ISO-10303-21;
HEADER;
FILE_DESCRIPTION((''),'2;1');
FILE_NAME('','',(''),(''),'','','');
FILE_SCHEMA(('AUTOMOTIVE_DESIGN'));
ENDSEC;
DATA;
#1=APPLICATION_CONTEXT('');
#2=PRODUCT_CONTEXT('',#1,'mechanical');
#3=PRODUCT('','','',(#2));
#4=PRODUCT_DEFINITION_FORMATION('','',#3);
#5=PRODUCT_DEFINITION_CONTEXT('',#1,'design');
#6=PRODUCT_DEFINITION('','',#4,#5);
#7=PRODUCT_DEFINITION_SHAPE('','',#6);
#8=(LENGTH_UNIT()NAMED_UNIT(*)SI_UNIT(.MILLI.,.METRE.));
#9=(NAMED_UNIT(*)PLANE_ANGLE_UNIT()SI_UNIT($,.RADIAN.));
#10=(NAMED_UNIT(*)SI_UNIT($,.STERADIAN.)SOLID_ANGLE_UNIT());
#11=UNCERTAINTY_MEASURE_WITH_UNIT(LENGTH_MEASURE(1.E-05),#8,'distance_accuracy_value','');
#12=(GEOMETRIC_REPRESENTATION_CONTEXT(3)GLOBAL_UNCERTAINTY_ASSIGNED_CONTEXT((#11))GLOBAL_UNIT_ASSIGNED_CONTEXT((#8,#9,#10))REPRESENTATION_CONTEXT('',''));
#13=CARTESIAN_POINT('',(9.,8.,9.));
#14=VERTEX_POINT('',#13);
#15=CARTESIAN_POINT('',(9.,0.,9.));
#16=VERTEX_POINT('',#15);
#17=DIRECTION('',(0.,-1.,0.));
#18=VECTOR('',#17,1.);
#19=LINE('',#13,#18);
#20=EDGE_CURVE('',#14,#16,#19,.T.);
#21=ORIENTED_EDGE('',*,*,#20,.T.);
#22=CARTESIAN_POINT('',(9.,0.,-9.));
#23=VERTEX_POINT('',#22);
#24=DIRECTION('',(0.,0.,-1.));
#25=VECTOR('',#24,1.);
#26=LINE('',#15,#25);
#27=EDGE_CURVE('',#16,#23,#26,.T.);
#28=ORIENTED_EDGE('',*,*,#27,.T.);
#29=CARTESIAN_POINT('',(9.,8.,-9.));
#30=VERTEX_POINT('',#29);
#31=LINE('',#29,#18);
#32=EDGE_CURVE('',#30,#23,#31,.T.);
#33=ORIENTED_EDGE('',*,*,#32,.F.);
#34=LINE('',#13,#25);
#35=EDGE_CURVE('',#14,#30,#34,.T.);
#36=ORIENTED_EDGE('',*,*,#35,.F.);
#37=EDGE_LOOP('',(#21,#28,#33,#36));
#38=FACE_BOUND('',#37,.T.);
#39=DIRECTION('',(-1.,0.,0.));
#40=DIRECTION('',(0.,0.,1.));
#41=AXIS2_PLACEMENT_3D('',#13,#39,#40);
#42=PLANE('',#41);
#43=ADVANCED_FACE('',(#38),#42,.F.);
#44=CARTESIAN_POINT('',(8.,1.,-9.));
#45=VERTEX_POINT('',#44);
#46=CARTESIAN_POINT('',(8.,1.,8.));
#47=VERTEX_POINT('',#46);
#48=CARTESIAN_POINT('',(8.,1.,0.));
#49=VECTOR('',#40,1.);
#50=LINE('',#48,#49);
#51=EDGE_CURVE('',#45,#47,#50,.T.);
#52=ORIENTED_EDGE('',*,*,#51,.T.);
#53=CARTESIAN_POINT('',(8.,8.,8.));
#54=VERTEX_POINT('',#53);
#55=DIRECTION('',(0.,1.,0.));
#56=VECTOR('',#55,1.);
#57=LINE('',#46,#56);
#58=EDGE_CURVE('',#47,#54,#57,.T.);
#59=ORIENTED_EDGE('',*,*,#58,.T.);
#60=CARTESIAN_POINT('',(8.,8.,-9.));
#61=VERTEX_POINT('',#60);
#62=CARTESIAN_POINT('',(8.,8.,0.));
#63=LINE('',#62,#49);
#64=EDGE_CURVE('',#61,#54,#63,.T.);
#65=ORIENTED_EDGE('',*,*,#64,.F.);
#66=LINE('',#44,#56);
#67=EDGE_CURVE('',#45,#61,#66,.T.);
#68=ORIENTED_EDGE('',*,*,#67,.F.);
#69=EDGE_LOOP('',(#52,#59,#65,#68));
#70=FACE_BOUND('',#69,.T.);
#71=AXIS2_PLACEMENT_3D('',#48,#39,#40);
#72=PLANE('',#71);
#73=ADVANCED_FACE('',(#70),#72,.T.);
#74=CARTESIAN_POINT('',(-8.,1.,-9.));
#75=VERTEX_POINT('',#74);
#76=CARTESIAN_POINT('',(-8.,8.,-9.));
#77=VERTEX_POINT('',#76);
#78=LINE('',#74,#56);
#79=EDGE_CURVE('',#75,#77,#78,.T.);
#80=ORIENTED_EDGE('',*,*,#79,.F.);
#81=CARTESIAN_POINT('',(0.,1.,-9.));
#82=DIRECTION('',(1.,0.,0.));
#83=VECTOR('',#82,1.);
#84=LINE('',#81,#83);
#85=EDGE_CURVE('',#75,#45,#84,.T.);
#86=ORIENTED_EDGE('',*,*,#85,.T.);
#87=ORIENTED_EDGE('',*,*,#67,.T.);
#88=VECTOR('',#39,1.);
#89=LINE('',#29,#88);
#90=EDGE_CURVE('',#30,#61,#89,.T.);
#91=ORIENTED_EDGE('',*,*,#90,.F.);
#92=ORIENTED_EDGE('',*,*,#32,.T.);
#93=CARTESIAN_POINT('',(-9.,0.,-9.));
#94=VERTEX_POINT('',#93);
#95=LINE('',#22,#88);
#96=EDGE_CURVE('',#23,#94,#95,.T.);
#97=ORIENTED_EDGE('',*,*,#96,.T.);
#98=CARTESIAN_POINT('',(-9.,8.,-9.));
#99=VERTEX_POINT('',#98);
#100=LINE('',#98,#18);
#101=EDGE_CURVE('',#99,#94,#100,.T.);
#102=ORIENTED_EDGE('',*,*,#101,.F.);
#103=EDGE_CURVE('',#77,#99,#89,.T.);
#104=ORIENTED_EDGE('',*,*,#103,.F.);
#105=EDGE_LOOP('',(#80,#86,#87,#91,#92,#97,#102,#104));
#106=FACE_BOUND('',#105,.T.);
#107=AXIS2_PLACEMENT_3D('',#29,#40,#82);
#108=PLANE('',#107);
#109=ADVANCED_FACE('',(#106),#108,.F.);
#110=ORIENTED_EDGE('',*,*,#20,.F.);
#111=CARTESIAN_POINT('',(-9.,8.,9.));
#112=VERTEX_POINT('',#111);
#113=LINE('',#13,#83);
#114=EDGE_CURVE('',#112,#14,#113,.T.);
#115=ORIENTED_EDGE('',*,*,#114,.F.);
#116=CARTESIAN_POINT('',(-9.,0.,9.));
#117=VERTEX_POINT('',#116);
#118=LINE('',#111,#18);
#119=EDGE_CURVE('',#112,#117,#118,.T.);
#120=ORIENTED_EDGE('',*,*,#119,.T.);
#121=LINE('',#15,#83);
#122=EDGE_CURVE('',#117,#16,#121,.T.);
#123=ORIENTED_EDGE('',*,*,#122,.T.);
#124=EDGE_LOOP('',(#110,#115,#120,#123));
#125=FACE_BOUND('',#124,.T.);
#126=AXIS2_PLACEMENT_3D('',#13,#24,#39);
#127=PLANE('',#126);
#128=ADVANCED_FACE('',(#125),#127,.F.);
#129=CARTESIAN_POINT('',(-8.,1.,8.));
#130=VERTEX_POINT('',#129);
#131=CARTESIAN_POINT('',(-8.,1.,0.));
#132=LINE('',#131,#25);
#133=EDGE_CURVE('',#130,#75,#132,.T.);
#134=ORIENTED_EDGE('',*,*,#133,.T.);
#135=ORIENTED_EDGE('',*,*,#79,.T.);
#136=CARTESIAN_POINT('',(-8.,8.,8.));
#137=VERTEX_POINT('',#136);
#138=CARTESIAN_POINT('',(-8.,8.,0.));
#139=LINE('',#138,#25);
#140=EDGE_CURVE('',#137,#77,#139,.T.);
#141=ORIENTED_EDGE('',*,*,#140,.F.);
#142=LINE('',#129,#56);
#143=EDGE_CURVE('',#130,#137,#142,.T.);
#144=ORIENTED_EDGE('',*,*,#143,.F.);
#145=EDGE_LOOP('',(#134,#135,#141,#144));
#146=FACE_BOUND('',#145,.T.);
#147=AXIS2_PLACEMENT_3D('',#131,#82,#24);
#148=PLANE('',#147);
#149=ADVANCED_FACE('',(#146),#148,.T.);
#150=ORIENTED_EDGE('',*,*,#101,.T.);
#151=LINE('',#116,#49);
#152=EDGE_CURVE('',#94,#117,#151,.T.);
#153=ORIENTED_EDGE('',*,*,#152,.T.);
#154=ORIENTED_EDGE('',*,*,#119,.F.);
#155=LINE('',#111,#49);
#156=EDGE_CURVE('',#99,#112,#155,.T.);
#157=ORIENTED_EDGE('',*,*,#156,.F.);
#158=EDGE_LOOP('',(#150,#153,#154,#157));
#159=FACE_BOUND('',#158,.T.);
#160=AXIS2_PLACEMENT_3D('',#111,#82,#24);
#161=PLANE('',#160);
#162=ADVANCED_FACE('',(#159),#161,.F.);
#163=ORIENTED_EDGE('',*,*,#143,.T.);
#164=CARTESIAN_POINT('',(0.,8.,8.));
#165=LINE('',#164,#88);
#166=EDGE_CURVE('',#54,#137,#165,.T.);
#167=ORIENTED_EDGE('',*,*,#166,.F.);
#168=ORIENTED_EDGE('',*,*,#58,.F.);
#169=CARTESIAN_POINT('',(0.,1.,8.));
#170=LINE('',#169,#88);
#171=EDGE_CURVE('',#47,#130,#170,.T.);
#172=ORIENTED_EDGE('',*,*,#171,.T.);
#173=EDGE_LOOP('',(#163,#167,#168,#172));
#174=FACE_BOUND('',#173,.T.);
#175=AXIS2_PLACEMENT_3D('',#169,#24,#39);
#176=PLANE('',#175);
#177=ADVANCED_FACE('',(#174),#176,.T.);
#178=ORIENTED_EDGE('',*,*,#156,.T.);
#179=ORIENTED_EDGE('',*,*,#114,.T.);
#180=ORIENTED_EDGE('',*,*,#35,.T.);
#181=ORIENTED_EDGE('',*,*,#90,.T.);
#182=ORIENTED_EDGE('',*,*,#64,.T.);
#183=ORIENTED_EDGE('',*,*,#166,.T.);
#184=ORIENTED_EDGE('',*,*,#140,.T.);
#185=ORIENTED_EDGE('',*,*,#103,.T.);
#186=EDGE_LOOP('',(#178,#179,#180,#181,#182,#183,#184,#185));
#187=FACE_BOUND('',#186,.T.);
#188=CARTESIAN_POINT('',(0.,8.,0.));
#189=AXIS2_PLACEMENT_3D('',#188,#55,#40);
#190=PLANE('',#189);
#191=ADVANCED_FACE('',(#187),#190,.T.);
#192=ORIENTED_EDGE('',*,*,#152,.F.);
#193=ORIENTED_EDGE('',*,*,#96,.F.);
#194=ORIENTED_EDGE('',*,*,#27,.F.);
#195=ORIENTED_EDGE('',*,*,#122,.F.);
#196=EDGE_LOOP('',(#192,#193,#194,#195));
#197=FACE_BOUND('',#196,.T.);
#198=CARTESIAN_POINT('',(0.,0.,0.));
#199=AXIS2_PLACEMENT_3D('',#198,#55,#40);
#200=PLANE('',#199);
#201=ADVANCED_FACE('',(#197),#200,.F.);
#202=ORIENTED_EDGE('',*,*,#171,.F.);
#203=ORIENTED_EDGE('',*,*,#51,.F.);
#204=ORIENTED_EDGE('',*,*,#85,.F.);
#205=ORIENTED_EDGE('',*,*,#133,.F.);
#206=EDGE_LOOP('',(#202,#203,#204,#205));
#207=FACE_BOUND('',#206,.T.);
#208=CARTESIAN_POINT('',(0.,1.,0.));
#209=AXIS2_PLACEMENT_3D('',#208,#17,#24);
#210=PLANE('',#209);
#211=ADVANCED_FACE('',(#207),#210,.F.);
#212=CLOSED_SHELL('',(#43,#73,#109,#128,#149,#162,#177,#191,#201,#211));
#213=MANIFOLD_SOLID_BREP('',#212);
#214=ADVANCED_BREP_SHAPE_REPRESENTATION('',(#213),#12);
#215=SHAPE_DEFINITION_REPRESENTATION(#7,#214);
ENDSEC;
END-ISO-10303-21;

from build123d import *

# Parameters (mm, degrees)
SKETCH_1_W          = 18
SKETCH_1_H          = 18
EXTRUDE_1_DEPTH     = 8
CUT_EXTRUDE_START   = 8
SKETCH_5_W          = 16
SKETCH_5_H          = 17
CUT_EXTRUDE_6_DEPTH = 7
EXTRUDE_START       = 8
SKETCH_6_W          = 18
SKETCH_6_H          = 18
EXTRUDE_2_DEPTH     = 1
CUT_EXTRUDE_START_2 = 9
SKETCH_7_R          = 6.5
CUT_EXTRUDE_7_DEPTH = 1
SKETCH_10_W         = 18
SKETCH_10_H         = 18
CUT_EXTRUDE_8_DEPTH = 1


with BuildPart() as part:
    # 스케치1 → 보스-돌출1 (new body)
    with BuildSketch(Plane(origin=(0, 0, 0), x_dir=(1, 0, 0), z_dir=(0, 1, 0))):
        Rectangle(SKETCH_1_W, SKETCH_1_H)
    extrude(amount=EXTRUDE_1_DEPTH)

    # 스케치5 → 컷-돌출6 (cut)
    with BuildSketch(Plane(origin=(0, 0, 0), x_dir=(1, 0, 0), z_dir=(0, 1, 0)).offset(CUT_EXTRUDE_START)):
        with Locations((0, 0.5)):
            Rectangle(SKETCH_5_W, SKETCH_5_H)
    extrude(amount=-CUT_EXTRUDE_6_DEPTH, mode=Mode.SUBTRACT)


with BuildPart() as body_2:
    # 스케치6 → 보스-돌출2 (new body)
    with BuildSketch(Plane(origin=(0, 0, 0), x_dir=(1, 0, 0), z_dir=(0, 1, 0)).offset(EXTRUDE_START)):
        Rectangle(SKETCH_6_W, SKETCH_6_H)
    extrude(amount=EXTRUDE_2_DEPTH)

    # 스케치7 → 컷-돌출7 (cut)
    with BuildSketch(Plane(origin=(0, 0, 0), x_dir=(1, 0, 0), z_dir=(0, 1, 0)).offset(CUT_EXTRUDE_START_2)):
        with Locations(Location((0, -0.5, 0), (0, 0, 270))):
            Circle(SKETCH_7_R)
    extrude(amount=-CUT_EXTRUDE_7_DEPTH, mode=Mode.SUBTRACT)

    # 스케치10 → 컷-돌출8 (cut)
    with BuildSketch(Plane(origin=(0, 9, 0), x_dir=(1, 0, 0), z_dir=(0, 1, 0))):
        Rectangle(SKETCH_10_W, SKETCH_10_H)
    extrude(amount=-CUT_EXTRUDE_8_DEPTH, mode=Mode.SUBTRACT)


solid = part.part
